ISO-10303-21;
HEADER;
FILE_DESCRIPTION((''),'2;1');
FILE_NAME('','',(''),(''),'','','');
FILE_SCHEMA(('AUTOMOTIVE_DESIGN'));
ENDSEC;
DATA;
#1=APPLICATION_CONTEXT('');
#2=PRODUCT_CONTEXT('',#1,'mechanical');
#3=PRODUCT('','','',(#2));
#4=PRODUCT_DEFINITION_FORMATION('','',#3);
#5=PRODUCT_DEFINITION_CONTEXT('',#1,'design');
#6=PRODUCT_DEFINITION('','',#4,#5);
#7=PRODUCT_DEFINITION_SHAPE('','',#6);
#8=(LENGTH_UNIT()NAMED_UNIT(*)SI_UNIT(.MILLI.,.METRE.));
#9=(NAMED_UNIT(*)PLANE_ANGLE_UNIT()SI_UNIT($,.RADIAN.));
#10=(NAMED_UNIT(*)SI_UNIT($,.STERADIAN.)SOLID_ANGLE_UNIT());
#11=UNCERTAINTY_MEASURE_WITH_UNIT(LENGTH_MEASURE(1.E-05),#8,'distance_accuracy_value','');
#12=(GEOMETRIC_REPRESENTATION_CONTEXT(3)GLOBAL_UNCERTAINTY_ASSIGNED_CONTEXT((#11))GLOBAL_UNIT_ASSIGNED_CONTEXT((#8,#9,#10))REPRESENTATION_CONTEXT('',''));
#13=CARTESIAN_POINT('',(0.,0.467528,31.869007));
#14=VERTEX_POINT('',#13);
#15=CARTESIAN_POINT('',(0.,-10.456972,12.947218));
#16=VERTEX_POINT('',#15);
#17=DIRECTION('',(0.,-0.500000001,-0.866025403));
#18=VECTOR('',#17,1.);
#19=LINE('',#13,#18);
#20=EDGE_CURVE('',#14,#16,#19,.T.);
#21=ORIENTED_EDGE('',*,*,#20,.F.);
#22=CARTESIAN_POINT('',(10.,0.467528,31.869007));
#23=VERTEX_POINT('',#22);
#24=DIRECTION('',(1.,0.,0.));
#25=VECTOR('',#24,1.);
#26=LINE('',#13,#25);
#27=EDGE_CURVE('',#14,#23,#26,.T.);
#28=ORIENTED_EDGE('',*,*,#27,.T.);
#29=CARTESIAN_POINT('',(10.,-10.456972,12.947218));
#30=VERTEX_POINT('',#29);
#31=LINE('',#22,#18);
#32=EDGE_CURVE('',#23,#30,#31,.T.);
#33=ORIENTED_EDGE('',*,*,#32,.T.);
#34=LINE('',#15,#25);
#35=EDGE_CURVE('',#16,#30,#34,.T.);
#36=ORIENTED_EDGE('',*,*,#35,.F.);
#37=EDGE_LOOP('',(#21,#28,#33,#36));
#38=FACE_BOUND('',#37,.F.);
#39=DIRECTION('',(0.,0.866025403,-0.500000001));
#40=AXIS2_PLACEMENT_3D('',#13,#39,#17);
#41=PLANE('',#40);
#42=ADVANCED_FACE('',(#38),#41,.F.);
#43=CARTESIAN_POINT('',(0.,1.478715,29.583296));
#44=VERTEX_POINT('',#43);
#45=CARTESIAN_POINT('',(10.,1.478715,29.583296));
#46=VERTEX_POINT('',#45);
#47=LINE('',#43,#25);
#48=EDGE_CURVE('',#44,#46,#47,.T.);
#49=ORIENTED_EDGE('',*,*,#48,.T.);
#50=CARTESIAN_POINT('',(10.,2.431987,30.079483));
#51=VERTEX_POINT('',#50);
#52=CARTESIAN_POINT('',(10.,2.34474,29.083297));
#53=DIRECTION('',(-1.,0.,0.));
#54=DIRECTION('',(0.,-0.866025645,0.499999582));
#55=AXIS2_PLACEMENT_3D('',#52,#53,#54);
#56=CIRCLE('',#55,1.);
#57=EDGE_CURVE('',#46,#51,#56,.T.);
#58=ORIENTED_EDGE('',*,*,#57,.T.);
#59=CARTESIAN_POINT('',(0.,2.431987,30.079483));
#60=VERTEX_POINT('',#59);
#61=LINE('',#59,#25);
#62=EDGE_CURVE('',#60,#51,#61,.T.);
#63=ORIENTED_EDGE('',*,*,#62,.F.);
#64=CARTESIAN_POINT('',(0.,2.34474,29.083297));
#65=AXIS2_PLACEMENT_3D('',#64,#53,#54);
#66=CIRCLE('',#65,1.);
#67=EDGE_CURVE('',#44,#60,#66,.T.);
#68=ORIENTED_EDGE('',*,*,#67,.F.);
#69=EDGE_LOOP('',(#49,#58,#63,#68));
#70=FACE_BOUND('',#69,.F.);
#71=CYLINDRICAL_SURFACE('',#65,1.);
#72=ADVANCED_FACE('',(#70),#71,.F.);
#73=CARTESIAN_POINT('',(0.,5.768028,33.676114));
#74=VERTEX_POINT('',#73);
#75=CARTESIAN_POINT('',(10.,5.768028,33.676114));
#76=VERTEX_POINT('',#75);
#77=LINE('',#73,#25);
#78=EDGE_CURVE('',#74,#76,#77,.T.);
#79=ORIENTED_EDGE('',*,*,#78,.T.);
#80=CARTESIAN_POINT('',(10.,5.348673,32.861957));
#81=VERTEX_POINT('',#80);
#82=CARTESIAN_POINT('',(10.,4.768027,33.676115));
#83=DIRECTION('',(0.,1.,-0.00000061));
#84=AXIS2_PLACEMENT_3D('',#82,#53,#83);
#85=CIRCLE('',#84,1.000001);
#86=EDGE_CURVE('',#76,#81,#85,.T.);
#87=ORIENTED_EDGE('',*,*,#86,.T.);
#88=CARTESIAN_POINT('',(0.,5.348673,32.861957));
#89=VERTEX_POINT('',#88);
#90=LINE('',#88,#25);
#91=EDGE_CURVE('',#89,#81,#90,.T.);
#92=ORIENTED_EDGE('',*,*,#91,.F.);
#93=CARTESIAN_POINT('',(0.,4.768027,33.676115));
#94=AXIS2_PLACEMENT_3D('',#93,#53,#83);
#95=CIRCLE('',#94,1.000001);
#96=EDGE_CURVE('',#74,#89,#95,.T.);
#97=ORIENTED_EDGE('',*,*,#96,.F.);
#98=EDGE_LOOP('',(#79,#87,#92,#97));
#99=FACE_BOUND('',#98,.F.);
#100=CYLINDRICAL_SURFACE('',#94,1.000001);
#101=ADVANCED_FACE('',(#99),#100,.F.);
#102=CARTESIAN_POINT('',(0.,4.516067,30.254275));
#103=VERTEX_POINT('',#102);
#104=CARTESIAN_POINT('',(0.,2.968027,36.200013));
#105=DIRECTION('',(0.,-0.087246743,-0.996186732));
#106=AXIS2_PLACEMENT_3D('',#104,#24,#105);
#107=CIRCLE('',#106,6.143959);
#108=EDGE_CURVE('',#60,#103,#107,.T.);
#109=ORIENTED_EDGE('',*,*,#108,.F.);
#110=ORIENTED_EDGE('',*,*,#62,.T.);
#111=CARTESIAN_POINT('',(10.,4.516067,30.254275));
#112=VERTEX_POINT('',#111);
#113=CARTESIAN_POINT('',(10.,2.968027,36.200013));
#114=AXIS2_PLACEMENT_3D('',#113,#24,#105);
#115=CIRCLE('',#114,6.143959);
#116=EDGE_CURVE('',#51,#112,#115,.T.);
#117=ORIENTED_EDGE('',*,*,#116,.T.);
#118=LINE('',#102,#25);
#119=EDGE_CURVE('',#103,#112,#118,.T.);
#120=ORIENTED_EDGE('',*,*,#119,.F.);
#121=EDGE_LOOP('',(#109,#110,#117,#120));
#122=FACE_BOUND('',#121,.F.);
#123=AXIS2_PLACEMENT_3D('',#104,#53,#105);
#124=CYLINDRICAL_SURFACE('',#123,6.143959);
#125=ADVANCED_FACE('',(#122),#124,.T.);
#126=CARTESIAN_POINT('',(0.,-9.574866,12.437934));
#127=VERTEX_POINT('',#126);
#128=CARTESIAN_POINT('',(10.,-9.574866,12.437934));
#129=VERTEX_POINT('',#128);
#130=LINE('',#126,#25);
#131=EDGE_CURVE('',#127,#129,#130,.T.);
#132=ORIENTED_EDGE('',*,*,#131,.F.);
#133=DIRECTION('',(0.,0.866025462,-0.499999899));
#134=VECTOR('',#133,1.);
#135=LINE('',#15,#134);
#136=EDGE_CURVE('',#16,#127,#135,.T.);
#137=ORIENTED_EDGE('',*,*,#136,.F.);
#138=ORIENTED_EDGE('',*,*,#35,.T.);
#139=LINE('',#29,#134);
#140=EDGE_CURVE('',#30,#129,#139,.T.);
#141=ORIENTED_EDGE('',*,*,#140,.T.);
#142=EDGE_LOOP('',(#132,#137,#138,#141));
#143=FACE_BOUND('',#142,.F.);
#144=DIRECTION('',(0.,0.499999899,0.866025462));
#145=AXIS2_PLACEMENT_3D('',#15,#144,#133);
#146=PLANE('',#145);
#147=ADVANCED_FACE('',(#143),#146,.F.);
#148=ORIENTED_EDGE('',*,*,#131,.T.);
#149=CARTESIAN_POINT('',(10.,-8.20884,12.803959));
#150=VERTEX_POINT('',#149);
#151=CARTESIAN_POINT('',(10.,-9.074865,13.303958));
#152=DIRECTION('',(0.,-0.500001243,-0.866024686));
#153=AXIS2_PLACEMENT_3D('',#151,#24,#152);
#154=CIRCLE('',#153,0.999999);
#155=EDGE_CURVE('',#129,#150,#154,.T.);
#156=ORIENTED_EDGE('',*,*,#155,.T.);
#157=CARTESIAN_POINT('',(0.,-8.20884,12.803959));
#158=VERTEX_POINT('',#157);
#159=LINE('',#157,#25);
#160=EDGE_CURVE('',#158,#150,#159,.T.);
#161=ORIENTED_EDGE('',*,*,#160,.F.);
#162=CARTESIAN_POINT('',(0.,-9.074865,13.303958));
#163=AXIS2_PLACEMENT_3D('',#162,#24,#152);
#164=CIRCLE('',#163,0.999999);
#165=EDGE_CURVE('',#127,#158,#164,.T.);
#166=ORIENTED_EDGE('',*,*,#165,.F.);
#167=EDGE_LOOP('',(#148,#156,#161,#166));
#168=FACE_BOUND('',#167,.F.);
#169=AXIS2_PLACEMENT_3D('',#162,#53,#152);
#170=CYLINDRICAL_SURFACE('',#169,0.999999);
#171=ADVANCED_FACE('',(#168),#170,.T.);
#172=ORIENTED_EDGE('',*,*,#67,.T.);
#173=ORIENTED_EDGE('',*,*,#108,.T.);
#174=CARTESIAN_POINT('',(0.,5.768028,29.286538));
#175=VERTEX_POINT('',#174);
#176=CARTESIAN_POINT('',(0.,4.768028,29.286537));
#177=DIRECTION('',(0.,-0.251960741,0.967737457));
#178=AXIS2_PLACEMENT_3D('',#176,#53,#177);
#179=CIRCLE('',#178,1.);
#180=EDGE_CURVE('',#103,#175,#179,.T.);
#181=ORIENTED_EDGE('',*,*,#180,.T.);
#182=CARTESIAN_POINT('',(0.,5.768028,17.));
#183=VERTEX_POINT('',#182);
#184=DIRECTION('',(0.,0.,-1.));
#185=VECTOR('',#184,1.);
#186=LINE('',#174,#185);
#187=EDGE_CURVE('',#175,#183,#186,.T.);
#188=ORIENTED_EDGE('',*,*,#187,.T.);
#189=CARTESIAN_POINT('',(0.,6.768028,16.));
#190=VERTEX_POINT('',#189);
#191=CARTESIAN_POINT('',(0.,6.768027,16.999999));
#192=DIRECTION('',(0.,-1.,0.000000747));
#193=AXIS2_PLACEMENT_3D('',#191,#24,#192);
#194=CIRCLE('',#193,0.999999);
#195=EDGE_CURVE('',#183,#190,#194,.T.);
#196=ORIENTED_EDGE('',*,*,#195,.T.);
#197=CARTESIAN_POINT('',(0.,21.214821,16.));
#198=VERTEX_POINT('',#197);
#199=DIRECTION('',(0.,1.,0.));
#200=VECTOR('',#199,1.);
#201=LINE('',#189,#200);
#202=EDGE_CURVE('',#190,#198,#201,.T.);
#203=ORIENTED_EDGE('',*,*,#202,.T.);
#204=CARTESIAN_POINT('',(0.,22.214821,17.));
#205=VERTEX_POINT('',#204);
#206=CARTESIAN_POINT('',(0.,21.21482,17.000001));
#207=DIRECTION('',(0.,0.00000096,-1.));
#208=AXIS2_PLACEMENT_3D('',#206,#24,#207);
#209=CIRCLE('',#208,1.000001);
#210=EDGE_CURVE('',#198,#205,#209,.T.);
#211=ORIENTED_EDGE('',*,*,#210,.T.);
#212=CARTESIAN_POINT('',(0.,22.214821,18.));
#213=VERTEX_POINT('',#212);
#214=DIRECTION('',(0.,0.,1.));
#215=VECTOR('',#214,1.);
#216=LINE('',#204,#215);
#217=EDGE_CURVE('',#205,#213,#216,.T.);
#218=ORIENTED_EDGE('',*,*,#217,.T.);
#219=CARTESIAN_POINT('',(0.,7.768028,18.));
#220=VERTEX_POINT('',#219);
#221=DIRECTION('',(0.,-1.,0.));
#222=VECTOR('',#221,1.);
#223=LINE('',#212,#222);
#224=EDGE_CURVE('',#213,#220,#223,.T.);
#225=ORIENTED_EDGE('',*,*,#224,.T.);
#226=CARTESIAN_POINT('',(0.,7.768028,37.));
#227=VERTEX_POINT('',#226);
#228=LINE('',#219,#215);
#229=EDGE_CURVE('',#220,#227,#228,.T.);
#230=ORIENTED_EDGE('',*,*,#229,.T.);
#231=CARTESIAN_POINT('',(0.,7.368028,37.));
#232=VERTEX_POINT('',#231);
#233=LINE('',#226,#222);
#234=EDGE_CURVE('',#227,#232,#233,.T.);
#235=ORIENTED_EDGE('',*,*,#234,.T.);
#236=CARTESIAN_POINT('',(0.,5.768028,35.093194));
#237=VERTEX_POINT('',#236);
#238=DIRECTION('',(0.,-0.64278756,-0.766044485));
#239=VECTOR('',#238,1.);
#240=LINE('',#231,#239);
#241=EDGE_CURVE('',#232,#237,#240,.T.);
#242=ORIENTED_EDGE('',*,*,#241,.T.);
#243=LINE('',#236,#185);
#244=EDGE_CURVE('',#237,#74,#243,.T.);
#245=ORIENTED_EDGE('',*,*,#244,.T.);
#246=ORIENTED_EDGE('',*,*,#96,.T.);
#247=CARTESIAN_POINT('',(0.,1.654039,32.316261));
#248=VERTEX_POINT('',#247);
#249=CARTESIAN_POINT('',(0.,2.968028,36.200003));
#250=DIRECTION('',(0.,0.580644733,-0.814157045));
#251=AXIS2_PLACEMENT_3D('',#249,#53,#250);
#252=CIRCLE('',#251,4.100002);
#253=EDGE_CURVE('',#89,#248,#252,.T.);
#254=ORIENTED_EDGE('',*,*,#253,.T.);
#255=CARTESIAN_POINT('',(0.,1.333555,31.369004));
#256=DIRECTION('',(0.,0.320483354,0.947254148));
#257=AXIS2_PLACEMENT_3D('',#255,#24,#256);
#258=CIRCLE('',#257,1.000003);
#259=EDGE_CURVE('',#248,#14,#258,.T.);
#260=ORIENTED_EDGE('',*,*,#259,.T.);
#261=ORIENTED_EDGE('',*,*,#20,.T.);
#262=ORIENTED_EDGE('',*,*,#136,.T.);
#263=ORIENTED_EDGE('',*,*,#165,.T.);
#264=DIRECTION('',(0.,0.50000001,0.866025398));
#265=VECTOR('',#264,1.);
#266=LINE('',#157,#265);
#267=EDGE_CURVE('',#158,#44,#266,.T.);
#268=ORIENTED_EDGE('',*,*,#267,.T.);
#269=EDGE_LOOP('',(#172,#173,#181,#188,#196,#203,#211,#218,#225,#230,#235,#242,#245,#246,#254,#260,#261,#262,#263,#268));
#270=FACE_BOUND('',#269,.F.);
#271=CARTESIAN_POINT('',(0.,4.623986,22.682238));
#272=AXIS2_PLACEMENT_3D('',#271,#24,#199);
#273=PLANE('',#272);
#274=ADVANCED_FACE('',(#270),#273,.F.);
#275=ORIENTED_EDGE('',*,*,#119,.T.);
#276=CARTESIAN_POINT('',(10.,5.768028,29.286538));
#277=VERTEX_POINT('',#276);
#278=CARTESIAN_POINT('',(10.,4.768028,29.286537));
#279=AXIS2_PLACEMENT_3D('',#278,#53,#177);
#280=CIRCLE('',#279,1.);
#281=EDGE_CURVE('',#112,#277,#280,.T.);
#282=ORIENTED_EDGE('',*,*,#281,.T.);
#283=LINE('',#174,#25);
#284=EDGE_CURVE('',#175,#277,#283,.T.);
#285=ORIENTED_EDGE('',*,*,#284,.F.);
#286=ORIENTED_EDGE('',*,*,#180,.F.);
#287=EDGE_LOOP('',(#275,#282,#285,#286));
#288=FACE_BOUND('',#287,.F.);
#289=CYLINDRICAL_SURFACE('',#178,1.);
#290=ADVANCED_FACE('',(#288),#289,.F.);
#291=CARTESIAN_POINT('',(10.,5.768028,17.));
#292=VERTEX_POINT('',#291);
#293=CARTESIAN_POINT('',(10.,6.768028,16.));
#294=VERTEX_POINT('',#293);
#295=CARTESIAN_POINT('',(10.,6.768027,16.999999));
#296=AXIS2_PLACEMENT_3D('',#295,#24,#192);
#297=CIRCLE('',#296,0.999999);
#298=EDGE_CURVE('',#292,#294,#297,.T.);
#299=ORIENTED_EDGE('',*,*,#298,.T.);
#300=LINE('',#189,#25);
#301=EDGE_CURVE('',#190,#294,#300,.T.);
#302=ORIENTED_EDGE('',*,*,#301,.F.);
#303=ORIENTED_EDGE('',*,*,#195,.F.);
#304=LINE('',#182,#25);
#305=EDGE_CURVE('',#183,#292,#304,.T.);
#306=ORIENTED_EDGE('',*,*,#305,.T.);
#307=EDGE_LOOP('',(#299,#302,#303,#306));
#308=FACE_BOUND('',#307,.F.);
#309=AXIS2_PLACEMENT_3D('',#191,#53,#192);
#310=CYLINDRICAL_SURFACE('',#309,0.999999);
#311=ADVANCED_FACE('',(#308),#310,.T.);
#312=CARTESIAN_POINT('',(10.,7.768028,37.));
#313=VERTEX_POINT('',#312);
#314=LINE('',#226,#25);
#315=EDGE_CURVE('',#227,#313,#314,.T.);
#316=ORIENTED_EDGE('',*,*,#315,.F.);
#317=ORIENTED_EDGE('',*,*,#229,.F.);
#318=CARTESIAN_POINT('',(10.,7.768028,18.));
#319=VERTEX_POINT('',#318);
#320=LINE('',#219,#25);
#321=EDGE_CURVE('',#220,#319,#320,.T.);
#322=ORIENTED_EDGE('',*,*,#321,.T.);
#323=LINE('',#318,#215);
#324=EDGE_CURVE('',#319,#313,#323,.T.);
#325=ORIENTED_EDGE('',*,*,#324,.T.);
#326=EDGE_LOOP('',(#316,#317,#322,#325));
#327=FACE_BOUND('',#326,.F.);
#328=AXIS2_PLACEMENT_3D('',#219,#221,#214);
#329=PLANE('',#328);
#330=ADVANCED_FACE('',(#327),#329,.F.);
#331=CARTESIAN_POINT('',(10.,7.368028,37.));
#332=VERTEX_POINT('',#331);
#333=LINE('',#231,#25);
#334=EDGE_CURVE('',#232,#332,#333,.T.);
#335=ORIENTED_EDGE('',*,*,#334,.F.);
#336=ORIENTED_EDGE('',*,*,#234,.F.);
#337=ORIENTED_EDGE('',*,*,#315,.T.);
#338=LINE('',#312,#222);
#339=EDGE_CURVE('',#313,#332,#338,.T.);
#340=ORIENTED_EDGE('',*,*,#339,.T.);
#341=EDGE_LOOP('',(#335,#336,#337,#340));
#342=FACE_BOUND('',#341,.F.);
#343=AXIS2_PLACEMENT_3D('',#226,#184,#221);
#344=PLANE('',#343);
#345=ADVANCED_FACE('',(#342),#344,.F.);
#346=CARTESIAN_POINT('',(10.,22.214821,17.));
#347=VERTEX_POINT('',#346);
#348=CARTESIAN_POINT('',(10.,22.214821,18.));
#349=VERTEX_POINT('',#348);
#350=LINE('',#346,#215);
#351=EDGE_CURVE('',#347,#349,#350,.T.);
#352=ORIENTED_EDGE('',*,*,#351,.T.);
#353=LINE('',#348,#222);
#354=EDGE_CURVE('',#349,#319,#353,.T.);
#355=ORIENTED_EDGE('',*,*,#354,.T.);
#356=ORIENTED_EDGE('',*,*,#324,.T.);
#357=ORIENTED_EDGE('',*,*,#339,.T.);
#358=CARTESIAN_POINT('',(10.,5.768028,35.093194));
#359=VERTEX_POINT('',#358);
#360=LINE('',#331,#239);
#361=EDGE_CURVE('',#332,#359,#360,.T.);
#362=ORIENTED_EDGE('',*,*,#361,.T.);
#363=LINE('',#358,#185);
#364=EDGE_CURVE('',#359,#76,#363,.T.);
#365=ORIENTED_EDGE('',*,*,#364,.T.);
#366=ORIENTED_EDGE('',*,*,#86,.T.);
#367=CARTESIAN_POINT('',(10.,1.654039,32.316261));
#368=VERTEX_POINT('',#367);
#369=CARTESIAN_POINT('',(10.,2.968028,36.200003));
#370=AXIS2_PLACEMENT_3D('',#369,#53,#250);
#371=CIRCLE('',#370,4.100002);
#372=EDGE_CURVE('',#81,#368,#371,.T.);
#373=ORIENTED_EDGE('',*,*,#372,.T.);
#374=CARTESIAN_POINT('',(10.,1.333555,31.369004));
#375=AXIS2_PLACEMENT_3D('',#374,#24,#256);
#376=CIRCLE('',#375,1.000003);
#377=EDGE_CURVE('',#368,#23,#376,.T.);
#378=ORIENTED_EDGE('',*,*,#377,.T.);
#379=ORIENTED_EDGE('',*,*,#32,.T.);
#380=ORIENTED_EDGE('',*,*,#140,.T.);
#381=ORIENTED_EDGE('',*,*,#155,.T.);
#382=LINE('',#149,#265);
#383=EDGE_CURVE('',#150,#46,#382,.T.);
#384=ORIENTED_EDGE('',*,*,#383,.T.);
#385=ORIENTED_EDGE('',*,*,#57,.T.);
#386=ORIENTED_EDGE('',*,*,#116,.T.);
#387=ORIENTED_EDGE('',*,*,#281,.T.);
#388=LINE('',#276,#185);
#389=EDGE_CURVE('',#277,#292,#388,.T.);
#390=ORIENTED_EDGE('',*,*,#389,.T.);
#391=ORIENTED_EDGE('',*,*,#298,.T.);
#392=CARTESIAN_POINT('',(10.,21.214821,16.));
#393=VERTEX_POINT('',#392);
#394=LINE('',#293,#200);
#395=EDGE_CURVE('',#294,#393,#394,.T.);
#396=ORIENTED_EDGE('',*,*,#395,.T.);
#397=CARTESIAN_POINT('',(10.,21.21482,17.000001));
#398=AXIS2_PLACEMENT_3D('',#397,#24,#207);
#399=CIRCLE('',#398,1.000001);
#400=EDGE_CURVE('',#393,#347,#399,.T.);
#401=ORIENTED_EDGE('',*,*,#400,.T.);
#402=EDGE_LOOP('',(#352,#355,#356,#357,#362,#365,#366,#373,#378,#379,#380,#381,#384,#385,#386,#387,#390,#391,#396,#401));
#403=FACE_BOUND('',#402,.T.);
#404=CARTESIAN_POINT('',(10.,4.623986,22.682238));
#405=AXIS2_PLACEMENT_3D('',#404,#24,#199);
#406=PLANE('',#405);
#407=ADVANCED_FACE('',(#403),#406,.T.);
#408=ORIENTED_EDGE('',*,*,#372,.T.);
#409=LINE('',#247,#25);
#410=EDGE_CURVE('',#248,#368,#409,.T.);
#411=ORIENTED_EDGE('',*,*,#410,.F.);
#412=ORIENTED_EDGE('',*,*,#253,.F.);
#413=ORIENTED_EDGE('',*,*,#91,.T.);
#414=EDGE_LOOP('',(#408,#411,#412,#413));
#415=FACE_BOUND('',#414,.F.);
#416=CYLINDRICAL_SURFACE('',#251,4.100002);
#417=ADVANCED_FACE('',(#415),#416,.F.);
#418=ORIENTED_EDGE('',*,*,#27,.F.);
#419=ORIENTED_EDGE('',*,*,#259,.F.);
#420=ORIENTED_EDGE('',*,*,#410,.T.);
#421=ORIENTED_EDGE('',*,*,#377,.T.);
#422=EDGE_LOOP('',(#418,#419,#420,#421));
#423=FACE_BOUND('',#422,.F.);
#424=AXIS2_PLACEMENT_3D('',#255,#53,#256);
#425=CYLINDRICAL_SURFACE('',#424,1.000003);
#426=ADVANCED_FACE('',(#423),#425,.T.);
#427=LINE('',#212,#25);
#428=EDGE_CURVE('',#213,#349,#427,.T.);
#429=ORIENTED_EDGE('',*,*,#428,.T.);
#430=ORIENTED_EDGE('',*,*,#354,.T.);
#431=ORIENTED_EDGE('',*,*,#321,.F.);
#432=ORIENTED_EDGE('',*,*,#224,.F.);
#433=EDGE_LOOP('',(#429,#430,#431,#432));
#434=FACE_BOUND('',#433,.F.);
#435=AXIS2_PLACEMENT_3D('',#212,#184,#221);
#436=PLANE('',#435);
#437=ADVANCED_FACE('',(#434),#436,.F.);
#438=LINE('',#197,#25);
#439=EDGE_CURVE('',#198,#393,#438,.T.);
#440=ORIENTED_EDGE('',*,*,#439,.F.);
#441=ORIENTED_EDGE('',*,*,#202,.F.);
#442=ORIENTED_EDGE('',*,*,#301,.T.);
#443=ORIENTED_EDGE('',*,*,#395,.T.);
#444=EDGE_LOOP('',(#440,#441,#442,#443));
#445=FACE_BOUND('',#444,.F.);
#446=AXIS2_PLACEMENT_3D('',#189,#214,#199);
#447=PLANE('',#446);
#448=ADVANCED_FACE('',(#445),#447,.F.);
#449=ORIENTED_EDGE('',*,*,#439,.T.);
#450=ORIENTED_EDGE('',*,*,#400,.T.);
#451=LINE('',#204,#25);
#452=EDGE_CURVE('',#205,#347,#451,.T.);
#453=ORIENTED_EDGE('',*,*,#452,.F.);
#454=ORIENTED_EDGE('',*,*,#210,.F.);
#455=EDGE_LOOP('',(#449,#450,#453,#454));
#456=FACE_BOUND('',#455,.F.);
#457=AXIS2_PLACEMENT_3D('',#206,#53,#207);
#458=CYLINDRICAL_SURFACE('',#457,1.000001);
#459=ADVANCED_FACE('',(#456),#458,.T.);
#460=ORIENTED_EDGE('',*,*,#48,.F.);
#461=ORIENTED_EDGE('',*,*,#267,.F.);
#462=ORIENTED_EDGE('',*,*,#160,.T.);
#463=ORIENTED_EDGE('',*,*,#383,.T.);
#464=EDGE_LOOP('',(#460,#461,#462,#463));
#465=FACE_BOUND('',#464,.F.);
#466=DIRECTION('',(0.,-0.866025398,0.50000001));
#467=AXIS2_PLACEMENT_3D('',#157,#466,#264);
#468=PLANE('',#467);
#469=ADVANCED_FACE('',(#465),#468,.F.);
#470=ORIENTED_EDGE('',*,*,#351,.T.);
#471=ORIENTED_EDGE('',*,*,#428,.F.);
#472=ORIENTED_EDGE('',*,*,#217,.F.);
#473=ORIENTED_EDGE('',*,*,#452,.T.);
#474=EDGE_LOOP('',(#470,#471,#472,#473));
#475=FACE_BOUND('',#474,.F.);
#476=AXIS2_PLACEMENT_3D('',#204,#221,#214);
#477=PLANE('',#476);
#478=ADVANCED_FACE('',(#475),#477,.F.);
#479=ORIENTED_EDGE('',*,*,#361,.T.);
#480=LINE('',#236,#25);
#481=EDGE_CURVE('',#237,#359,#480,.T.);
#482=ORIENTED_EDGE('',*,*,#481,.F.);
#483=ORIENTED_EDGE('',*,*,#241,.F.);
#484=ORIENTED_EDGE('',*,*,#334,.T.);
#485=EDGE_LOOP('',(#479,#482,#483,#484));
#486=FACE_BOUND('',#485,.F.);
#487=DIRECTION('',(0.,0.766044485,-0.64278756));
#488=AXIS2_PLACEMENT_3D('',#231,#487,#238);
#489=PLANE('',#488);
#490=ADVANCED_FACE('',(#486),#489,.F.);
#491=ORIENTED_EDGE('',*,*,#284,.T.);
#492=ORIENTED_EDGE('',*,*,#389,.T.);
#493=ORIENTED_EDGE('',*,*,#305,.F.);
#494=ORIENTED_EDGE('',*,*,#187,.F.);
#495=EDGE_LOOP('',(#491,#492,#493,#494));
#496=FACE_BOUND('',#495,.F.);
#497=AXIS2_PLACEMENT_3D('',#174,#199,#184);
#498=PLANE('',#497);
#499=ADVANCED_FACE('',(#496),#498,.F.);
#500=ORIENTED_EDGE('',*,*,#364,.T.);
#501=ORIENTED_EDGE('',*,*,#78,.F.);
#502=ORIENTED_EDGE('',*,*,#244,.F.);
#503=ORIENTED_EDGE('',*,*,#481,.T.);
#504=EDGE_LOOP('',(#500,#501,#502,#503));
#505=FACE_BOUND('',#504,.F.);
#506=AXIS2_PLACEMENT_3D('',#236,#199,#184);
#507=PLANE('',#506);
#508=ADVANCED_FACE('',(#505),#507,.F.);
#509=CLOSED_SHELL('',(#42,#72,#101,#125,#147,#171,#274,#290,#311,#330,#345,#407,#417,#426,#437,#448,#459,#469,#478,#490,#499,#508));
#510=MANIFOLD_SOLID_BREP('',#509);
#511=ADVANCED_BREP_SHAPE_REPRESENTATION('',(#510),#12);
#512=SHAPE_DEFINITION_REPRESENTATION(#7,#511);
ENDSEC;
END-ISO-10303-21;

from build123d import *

# Parameters (mm, degrees)
F3_DEPTH = 10


with BuildPart() as f3:
    # F2 (on Right) → F3 (new body)
    with BuildSketch(Plane.YZ):
        with BuildLine():
            Line((7.768028, 18), (7.768028, 37))
            Line((7.768028, 37), (7.368028, 37))
            Line((7.368028, 37), (5.768028, 35.093194))
            Line((5.768028, 35.093194), (5.768028, 33.676114))
            ThreePointArc((5.768028, 33.676114), (5.657029, 33.218209), (5.348673, 32.861957))
            ThreePointArc((5.348673, 32.861957), (3.567098, 32.144003), (1.654039, 32.316261))
            ThreePointArc((1.654039, 32.316261), (0.980832, 32.304735), (0.467528, 31.869007))
            Line((0.467528, 31.869007), (-10.456972, 12.947218))
            Line((-10.456972, 12.947218), (-9.574866, 12.437934))
            ThreePointArc((-9.574866, 12.437934), (-8.816046, 12.338033), (-8.20884, 12.803959))
            Line((-8.20884, 12.803959), (1.478715, 29.583296))
            ThreePointArc((1.478715, 29.583296), (1.883032, 29.970328), (2.431987, 30.079483))
            ThreePointArc((2.431987, 30.079483), (3.481519, 30.07755), (4.516067, 30.254275))
            ThreePointArc((4.516067, 30.254275), (5.379599, 30.077727), (5.768028, 29.286538))
            Line((5.768028, 29.286538), (5.768028, 17))
            ThreePointArc((5.768028, 17), (6.060921, 16.292893), (6.768028, 16))
            Line((6.768028, 16), (21.214821, 16))
            ThreePointArc((21.214821, 16), (21.921927, 16.292893), (22.214821, 17))
            Line((22.214821, 17), (22.214821, 18))
            Line((22.214821, 18), (7.768028, 18))
        make_face()
    extrude(amount=F3_DEPTH)


solid = f3.part
